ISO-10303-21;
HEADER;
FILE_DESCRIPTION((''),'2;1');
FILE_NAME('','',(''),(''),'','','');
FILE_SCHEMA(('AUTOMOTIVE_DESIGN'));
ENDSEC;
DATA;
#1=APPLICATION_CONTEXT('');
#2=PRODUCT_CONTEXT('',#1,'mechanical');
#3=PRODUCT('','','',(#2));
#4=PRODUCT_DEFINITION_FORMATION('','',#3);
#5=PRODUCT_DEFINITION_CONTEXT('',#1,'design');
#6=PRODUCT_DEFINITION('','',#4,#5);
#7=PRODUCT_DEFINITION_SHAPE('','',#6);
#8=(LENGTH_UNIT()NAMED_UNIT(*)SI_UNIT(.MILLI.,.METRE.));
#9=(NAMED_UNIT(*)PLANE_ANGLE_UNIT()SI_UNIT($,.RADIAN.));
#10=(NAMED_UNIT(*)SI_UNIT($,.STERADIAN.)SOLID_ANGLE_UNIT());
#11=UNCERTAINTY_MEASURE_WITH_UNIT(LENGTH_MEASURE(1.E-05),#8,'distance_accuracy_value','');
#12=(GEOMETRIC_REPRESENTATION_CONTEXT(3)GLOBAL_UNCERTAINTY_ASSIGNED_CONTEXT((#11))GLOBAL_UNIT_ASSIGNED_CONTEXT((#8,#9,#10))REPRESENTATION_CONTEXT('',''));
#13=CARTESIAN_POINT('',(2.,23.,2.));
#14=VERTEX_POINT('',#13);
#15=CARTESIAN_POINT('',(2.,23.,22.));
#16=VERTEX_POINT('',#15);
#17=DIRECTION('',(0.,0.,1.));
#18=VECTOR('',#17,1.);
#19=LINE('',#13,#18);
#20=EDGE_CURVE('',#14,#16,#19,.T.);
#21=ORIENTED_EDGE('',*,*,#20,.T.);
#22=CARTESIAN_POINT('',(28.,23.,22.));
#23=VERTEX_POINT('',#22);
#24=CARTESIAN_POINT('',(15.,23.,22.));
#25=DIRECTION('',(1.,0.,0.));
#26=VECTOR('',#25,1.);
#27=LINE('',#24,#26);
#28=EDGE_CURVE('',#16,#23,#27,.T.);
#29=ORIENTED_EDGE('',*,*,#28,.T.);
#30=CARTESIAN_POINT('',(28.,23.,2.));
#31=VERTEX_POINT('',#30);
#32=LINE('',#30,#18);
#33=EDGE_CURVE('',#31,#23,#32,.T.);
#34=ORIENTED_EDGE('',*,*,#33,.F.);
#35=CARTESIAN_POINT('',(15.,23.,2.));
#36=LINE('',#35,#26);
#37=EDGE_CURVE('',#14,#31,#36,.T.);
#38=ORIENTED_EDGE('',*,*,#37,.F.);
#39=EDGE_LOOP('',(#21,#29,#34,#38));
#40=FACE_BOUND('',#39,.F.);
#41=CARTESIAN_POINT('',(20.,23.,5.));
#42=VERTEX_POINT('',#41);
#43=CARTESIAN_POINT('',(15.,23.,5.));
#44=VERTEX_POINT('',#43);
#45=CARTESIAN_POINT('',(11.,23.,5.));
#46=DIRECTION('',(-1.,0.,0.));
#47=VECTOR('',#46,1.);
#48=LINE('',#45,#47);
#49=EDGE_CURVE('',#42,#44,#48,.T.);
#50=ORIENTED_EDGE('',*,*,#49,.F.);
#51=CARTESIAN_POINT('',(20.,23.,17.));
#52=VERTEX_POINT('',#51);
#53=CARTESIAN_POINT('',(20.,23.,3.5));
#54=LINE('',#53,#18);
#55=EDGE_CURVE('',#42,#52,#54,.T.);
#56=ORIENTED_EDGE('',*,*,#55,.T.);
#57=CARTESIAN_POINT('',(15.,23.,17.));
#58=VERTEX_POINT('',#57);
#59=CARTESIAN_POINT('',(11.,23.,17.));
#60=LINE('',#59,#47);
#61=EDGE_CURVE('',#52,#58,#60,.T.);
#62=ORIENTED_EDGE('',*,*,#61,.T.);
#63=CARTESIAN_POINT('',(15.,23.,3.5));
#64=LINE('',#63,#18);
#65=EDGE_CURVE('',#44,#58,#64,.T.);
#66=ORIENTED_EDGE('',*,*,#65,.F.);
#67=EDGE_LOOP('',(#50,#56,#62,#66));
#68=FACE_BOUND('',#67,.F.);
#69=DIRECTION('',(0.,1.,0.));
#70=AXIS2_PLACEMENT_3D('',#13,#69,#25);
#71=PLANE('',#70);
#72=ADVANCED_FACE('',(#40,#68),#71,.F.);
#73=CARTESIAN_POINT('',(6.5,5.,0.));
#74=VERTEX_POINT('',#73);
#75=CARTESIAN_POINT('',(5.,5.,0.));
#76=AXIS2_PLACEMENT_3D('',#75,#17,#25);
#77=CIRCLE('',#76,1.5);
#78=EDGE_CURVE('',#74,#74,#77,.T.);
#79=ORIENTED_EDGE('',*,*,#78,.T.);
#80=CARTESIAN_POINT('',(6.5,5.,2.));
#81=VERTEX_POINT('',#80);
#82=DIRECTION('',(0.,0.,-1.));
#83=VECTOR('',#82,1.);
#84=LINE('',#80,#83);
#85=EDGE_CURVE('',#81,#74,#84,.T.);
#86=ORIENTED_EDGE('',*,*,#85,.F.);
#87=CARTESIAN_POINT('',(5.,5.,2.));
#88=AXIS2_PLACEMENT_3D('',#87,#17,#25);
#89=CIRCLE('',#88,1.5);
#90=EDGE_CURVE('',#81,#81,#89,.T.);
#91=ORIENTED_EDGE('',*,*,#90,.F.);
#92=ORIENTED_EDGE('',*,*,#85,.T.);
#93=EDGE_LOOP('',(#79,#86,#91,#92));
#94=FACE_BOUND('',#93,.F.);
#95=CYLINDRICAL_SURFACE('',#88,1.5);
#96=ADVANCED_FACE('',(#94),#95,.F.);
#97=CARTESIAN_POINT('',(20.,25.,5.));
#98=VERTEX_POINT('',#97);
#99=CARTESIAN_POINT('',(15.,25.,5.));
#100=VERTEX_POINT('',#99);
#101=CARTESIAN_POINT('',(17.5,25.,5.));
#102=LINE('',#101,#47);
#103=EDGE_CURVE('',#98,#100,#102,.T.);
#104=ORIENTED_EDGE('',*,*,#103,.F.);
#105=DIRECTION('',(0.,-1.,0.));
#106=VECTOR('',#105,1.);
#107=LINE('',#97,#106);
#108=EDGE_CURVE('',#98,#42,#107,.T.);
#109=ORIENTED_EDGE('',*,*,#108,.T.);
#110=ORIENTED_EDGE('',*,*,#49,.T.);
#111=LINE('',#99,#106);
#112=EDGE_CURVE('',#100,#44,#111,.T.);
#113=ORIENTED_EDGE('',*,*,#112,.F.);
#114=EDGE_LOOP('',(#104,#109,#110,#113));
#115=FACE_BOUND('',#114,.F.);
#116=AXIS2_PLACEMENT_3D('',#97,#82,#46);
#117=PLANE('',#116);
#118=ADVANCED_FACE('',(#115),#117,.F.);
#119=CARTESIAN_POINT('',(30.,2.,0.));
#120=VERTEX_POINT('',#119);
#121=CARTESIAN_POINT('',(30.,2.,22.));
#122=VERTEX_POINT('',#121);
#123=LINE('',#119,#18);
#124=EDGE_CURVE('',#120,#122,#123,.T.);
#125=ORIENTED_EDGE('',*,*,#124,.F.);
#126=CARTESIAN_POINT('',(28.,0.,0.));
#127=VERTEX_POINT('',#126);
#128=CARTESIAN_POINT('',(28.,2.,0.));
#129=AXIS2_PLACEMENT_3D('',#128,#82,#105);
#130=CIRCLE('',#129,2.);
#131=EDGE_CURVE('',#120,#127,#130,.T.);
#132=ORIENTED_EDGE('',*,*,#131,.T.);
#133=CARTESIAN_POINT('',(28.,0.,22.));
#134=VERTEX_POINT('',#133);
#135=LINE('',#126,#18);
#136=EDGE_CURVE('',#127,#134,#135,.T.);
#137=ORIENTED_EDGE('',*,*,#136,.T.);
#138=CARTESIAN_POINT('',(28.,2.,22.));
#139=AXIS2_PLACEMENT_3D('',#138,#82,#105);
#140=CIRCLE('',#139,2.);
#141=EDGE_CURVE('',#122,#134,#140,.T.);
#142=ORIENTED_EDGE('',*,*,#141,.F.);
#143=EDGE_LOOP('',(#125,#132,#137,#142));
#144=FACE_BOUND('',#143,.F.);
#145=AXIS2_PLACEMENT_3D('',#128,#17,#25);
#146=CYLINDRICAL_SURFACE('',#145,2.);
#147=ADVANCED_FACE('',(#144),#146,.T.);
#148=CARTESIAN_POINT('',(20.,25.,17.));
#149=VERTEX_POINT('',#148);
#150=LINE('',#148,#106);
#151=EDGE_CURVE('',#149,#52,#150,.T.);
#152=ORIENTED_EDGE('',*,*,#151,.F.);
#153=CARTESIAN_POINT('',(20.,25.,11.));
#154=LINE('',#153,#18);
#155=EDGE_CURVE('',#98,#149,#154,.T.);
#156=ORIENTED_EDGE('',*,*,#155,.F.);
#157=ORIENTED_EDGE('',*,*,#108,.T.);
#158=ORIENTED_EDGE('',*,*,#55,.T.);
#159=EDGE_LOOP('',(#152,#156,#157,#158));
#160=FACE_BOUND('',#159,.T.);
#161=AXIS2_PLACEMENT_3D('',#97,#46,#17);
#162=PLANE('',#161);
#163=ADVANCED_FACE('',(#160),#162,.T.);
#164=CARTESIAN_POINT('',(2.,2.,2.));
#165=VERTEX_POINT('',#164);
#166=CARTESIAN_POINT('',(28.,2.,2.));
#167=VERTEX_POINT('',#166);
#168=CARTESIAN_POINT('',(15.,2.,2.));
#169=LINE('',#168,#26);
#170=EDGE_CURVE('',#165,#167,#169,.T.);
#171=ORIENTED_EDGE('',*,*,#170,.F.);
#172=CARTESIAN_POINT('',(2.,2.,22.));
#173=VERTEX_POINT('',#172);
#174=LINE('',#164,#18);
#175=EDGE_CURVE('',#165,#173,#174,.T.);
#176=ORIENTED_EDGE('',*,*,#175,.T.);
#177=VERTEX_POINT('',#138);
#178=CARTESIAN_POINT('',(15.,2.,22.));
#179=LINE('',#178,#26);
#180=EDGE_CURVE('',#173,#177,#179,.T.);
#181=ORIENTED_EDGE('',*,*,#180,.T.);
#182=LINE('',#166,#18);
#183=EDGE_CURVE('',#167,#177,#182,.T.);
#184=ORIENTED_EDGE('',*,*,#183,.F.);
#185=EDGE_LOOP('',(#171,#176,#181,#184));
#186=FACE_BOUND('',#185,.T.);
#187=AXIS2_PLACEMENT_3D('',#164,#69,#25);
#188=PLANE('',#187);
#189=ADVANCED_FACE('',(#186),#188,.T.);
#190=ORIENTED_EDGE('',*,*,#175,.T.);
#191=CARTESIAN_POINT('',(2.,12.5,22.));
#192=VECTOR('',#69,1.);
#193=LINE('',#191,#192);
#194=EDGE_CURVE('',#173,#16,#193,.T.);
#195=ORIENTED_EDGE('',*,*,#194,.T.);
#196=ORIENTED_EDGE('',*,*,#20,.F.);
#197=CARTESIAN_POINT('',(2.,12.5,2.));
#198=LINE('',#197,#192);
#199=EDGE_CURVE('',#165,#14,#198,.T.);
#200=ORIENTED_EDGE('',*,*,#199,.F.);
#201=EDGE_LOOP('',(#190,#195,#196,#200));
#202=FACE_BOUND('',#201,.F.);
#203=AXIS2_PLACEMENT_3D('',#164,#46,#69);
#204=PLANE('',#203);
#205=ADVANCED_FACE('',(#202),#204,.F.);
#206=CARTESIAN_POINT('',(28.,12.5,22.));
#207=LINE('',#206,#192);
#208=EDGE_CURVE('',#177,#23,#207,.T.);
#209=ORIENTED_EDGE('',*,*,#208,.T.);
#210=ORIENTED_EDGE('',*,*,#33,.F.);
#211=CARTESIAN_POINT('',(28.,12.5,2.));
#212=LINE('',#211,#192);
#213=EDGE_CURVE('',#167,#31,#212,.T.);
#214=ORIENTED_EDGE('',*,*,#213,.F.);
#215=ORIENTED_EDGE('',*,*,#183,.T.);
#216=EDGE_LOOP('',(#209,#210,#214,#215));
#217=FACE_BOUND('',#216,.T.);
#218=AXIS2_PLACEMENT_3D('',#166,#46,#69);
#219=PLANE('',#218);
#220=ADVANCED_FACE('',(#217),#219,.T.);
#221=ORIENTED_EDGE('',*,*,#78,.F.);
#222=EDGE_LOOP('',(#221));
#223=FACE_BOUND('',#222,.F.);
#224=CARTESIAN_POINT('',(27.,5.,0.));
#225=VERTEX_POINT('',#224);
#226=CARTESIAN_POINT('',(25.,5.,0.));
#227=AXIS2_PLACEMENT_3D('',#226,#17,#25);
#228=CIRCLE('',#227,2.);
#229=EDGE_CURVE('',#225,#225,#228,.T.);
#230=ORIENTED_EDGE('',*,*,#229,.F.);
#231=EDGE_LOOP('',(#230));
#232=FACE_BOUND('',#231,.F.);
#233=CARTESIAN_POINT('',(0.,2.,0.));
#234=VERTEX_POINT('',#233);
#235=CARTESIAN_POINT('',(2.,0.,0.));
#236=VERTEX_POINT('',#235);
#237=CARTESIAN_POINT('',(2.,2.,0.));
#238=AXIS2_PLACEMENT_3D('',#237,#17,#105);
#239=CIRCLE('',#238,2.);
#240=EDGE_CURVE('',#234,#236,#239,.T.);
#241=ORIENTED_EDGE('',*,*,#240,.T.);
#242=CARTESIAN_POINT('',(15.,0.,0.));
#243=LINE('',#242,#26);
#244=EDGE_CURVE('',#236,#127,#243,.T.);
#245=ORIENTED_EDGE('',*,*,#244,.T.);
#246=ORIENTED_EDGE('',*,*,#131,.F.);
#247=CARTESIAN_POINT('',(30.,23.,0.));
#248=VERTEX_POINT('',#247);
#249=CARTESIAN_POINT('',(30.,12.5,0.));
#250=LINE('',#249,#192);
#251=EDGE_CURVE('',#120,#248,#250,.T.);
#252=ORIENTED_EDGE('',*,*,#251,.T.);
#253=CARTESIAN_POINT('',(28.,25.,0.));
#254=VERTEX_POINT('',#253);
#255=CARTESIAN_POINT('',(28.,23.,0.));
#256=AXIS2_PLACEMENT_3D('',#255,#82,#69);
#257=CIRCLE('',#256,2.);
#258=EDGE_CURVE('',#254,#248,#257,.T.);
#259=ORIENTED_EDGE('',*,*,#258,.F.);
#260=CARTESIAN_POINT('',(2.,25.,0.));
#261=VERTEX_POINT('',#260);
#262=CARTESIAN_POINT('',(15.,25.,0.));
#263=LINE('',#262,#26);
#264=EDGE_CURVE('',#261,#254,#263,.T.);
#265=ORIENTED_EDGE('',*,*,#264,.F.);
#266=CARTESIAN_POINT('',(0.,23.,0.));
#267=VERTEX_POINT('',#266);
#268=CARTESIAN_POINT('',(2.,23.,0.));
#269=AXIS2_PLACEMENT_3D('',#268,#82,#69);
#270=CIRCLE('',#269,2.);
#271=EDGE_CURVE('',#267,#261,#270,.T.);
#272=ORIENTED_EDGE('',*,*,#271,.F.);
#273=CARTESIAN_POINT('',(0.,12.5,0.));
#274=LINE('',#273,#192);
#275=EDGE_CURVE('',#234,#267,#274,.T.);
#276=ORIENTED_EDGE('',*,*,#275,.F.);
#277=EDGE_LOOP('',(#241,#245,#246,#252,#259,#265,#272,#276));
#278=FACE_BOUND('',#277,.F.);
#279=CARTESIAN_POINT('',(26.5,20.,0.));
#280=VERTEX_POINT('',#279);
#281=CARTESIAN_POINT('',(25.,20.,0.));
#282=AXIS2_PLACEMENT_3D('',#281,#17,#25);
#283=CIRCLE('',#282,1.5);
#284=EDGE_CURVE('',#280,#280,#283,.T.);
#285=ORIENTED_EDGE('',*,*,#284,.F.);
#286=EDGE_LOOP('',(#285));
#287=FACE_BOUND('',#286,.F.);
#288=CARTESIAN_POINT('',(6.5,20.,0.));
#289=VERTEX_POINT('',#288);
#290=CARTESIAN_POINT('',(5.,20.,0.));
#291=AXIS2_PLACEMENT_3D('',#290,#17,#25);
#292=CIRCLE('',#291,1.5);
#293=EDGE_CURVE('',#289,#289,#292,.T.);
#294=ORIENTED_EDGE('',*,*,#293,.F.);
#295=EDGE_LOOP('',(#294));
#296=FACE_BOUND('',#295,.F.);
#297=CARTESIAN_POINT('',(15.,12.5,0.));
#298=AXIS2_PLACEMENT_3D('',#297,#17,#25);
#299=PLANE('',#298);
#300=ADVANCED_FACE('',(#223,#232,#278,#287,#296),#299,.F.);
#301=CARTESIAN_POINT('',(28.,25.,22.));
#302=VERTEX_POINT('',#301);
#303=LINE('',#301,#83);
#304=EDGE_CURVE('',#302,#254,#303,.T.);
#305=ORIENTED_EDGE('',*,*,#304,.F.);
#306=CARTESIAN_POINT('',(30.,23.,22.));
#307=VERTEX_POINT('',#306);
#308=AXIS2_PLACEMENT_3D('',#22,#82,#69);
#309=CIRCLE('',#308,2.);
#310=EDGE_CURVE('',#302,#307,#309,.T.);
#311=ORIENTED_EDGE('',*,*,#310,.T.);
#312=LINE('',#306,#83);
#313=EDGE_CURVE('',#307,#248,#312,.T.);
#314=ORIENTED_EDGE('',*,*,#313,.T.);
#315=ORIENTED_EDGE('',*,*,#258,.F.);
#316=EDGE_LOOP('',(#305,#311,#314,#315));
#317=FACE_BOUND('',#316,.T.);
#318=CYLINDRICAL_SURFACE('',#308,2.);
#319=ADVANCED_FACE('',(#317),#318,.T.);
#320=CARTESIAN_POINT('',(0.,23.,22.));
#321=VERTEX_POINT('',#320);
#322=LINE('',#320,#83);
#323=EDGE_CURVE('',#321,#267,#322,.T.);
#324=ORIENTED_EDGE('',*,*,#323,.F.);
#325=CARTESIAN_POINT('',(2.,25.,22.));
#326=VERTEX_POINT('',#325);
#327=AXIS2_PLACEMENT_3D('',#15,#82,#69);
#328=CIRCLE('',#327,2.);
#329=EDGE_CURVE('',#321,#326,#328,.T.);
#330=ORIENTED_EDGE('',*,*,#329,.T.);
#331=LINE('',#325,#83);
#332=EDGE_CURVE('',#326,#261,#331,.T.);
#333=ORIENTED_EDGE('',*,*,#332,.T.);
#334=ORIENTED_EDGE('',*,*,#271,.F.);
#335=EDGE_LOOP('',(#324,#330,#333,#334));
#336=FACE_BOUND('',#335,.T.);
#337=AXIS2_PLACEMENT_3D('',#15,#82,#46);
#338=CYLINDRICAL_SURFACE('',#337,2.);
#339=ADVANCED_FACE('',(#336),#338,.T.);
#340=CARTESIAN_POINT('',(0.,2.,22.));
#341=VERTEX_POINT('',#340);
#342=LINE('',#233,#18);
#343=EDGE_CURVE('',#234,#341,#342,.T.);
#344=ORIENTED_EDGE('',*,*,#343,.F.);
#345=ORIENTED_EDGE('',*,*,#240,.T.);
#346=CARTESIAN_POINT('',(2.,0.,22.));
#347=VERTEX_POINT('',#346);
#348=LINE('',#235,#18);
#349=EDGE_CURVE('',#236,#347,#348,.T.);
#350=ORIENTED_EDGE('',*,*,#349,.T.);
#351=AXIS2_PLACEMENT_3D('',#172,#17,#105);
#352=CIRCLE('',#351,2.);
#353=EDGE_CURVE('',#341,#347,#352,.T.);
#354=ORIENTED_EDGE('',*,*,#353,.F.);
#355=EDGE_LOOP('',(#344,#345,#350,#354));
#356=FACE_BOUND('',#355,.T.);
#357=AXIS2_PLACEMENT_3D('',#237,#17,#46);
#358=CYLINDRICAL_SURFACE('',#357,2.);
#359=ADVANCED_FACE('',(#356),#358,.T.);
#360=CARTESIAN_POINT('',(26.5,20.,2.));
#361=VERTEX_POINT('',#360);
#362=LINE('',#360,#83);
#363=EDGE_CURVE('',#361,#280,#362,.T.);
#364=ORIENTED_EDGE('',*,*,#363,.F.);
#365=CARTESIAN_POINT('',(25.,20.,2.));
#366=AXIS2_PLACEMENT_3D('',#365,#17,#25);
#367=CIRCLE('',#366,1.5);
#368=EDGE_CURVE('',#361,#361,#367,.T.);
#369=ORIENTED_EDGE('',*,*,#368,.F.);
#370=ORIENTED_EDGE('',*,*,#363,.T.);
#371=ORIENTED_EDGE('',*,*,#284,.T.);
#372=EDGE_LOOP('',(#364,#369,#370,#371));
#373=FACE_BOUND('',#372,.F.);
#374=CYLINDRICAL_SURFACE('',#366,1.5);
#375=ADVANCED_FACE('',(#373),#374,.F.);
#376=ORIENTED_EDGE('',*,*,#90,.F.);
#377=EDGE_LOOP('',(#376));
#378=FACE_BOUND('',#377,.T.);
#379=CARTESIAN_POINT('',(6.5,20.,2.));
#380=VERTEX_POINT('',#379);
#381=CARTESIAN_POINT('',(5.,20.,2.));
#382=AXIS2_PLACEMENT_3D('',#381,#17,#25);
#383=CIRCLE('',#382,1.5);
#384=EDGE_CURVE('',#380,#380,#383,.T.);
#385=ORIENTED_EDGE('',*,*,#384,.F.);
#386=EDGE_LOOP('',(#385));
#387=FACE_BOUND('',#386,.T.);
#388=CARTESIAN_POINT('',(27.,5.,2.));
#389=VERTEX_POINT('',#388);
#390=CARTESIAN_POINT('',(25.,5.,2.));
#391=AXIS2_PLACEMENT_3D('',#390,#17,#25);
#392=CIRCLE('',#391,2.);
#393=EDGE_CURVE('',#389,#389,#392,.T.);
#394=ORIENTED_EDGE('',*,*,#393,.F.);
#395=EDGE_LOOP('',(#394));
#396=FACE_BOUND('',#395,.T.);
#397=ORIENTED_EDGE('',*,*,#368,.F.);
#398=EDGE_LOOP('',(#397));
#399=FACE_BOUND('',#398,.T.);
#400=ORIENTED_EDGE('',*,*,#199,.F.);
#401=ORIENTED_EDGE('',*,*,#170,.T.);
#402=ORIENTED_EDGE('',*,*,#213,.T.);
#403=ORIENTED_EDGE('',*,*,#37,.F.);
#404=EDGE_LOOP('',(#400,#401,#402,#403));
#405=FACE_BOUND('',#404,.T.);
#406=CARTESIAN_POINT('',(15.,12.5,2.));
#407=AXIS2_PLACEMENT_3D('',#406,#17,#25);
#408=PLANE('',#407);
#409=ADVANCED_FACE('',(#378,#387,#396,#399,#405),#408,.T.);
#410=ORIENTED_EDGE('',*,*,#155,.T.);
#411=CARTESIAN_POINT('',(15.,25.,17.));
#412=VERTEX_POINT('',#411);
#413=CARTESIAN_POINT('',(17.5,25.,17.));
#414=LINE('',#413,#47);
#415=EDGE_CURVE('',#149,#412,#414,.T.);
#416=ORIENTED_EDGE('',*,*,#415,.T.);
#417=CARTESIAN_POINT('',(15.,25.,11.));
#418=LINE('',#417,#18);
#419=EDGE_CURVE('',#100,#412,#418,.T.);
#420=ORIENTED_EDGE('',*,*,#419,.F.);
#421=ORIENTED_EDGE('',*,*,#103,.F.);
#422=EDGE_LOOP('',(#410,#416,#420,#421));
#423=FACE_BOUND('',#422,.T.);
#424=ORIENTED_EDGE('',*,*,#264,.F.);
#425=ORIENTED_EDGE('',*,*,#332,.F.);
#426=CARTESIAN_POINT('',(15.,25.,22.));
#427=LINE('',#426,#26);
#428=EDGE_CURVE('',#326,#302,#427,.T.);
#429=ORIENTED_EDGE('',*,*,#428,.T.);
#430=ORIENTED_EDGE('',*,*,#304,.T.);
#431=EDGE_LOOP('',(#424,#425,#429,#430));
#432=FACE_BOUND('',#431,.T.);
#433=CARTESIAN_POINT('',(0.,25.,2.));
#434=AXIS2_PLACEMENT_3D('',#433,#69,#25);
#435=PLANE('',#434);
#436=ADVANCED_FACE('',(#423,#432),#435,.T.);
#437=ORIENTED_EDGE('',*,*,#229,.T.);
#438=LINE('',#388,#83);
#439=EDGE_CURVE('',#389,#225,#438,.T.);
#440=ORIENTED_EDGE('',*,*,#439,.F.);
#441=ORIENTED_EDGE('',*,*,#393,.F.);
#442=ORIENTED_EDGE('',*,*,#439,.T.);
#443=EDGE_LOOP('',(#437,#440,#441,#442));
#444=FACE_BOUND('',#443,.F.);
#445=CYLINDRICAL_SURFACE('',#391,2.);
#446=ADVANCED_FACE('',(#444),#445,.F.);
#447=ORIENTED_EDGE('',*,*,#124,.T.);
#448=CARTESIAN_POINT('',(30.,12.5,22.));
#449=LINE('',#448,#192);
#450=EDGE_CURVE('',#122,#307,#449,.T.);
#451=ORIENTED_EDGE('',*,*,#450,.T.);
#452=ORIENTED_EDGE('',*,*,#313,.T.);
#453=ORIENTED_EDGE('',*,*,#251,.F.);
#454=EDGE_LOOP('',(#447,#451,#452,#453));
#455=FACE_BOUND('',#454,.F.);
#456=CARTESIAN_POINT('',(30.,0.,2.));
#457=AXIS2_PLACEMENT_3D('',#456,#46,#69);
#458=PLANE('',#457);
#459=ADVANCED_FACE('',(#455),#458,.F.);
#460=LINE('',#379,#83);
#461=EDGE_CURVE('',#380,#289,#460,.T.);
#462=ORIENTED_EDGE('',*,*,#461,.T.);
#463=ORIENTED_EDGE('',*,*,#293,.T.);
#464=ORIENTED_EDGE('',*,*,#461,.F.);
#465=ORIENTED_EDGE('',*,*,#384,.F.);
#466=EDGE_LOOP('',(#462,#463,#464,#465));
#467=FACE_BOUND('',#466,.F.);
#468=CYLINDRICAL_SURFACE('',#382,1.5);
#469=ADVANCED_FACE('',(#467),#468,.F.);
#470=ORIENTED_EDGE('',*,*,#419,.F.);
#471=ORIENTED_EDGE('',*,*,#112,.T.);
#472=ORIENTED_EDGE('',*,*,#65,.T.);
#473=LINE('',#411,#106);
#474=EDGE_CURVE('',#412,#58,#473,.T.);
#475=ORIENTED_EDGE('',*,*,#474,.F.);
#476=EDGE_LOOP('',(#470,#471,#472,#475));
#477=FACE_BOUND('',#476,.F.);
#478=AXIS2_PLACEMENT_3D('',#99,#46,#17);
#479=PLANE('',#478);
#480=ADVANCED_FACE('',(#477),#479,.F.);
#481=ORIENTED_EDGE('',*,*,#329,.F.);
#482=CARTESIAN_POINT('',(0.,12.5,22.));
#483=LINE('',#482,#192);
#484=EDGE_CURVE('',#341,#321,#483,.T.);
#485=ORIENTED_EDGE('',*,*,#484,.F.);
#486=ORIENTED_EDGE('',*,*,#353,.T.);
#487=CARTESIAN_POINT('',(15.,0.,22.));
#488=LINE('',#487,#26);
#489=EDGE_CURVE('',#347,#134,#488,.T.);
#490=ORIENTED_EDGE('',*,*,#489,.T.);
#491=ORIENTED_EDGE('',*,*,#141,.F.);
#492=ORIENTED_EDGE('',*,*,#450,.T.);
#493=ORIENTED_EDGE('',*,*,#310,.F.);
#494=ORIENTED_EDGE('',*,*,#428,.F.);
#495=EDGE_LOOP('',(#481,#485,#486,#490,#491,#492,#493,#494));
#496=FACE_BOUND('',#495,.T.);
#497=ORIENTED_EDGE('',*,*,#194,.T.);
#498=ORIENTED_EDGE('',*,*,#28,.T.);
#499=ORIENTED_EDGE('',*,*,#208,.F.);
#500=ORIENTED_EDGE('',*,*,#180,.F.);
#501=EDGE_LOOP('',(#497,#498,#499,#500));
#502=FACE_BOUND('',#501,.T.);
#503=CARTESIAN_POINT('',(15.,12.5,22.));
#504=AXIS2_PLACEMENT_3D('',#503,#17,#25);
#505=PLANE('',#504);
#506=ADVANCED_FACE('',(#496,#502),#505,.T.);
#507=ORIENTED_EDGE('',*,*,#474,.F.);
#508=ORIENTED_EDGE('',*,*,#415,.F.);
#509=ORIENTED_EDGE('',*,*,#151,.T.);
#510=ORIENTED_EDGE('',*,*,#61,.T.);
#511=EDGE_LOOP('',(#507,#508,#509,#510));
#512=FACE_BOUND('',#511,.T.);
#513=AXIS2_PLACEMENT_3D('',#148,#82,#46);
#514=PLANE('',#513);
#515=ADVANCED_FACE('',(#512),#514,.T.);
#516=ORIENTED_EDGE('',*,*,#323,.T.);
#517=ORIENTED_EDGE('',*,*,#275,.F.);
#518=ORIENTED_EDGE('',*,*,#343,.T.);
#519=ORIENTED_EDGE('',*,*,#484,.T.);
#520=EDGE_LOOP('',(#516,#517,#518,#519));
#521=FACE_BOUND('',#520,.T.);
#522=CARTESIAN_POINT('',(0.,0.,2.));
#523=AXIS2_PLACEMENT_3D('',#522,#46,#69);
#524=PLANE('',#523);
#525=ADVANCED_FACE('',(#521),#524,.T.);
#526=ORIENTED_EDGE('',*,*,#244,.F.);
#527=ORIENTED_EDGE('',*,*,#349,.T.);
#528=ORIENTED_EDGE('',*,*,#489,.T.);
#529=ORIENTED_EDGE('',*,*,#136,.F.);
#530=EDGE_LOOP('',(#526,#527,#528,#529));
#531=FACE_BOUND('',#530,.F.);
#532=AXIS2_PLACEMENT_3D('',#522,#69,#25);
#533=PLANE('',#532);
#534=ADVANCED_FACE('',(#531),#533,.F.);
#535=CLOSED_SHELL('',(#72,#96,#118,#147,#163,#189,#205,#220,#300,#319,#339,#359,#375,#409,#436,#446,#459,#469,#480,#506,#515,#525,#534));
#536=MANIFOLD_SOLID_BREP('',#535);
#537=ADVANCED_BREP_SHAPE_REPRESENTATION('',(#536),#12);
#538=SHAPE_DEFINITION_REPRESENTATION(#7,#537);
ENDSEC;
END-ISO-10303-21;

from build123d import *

# Parameters (mm, degrees)
SKETCH_W        = 30
SKETCH_H        = 25
PAD_DEPTH       = 2
SKETCH001_R     = 1.5
SKETCH001_R_2   = 2
POCKET_DEPTH    = 5
SKETCH002_W     = 30
SKETCH002_H     = 25
SKETCH002_W_2   = 26
SKETCH002_H_2   = 21
PAD001_DEPTH    = 20
SKETCH003_W     = 5
SKETCH003_H     = 12
POCKET001_DEPTH = 5
FILLET_R        = 2
FILLET001_R     = 2
FILLET002_R     = 2
FILLET003_R     = 2


with BuildPart() as part:
    # Sketch → Pad (new body)
    with BuildSketch(Plane.XY):
        with Locations((15, 12.5)):
            Rectangle(SKETCH_W, SKETCH_H)
    extrude(amount=PAD_DEPTH)

    # Sketch001 → Pocket (cut)
    with BuildSketch(Plane.XY.offset(2)):
        with Locations((5, 20)):
            Circle(SKETCH001_R)
        with Locations((25, 20)):
            Circle(SKETCH001_R)
        with Locations((25, 5)):
            Circle(SKETCH001_R_2)
        with Locations((5, 5)):
            Circle(SKETCH001_R)
    extrude(amount=-POCKET_DEPTH, mode=Mode.SUBTRACT)

    # Sketch002 → Pad001 (new body)
    with BuildSketch(Plane.XY.offset(2)):
        with Locations((15, 12.5)):
            Rectangle(SKETCH002_W, SKETCH002_H)
        with Locations((15, 12.5)):
            Rectangle(SKETCH002_W_2, SKETCH002_H_2, mode=Mode.SUBTRACT)
    extrude(amount=PAD001_DEPTH)

    # Sketch003 → Pocket001 (cut)
    with BuildSketch(Plane(origin=(0, 25, 0), x_dir=(-1, 0, 0), z_dir=(0, 1, 0))):
        with Locations((-17.5, 11)):
            Rectangle(SKETCH003_W, SKETCH003_H)
    extrude(amount=-POCKET001_DEPTH, mode=Mode.SUBTRACT)

    # Fillet
    fillet_edges = [part.edges().sort_by_distance(p)[0] for p in [
        (0, 25, 11),
    ]]
    fillet(fillet_edges, radius=FILLET_R)

    # Fillet001
    fillet001_edges = [part.edges().sort_by_distance(p)[0] for p in [
        (0, 0, 11),
    ]]
    fillet(fillet001_edges, radius=FILLET001_R)

    # Fillet002
    fillet002_edges = [part.edges().sort_by_distance(p)[0] for p in [
        (30, 25, 11),
    ]]
    fillet(fillet002_edges, radius=FILLET002_R)

    # Fillet003
    fillet003_edges = [part.edges().sort_by_distance(p)[0] for p in [
        (30, 0, 11),
    ]]
    fillet(fillet003_edges, radius=FILLET003_R)


solid = part.part
